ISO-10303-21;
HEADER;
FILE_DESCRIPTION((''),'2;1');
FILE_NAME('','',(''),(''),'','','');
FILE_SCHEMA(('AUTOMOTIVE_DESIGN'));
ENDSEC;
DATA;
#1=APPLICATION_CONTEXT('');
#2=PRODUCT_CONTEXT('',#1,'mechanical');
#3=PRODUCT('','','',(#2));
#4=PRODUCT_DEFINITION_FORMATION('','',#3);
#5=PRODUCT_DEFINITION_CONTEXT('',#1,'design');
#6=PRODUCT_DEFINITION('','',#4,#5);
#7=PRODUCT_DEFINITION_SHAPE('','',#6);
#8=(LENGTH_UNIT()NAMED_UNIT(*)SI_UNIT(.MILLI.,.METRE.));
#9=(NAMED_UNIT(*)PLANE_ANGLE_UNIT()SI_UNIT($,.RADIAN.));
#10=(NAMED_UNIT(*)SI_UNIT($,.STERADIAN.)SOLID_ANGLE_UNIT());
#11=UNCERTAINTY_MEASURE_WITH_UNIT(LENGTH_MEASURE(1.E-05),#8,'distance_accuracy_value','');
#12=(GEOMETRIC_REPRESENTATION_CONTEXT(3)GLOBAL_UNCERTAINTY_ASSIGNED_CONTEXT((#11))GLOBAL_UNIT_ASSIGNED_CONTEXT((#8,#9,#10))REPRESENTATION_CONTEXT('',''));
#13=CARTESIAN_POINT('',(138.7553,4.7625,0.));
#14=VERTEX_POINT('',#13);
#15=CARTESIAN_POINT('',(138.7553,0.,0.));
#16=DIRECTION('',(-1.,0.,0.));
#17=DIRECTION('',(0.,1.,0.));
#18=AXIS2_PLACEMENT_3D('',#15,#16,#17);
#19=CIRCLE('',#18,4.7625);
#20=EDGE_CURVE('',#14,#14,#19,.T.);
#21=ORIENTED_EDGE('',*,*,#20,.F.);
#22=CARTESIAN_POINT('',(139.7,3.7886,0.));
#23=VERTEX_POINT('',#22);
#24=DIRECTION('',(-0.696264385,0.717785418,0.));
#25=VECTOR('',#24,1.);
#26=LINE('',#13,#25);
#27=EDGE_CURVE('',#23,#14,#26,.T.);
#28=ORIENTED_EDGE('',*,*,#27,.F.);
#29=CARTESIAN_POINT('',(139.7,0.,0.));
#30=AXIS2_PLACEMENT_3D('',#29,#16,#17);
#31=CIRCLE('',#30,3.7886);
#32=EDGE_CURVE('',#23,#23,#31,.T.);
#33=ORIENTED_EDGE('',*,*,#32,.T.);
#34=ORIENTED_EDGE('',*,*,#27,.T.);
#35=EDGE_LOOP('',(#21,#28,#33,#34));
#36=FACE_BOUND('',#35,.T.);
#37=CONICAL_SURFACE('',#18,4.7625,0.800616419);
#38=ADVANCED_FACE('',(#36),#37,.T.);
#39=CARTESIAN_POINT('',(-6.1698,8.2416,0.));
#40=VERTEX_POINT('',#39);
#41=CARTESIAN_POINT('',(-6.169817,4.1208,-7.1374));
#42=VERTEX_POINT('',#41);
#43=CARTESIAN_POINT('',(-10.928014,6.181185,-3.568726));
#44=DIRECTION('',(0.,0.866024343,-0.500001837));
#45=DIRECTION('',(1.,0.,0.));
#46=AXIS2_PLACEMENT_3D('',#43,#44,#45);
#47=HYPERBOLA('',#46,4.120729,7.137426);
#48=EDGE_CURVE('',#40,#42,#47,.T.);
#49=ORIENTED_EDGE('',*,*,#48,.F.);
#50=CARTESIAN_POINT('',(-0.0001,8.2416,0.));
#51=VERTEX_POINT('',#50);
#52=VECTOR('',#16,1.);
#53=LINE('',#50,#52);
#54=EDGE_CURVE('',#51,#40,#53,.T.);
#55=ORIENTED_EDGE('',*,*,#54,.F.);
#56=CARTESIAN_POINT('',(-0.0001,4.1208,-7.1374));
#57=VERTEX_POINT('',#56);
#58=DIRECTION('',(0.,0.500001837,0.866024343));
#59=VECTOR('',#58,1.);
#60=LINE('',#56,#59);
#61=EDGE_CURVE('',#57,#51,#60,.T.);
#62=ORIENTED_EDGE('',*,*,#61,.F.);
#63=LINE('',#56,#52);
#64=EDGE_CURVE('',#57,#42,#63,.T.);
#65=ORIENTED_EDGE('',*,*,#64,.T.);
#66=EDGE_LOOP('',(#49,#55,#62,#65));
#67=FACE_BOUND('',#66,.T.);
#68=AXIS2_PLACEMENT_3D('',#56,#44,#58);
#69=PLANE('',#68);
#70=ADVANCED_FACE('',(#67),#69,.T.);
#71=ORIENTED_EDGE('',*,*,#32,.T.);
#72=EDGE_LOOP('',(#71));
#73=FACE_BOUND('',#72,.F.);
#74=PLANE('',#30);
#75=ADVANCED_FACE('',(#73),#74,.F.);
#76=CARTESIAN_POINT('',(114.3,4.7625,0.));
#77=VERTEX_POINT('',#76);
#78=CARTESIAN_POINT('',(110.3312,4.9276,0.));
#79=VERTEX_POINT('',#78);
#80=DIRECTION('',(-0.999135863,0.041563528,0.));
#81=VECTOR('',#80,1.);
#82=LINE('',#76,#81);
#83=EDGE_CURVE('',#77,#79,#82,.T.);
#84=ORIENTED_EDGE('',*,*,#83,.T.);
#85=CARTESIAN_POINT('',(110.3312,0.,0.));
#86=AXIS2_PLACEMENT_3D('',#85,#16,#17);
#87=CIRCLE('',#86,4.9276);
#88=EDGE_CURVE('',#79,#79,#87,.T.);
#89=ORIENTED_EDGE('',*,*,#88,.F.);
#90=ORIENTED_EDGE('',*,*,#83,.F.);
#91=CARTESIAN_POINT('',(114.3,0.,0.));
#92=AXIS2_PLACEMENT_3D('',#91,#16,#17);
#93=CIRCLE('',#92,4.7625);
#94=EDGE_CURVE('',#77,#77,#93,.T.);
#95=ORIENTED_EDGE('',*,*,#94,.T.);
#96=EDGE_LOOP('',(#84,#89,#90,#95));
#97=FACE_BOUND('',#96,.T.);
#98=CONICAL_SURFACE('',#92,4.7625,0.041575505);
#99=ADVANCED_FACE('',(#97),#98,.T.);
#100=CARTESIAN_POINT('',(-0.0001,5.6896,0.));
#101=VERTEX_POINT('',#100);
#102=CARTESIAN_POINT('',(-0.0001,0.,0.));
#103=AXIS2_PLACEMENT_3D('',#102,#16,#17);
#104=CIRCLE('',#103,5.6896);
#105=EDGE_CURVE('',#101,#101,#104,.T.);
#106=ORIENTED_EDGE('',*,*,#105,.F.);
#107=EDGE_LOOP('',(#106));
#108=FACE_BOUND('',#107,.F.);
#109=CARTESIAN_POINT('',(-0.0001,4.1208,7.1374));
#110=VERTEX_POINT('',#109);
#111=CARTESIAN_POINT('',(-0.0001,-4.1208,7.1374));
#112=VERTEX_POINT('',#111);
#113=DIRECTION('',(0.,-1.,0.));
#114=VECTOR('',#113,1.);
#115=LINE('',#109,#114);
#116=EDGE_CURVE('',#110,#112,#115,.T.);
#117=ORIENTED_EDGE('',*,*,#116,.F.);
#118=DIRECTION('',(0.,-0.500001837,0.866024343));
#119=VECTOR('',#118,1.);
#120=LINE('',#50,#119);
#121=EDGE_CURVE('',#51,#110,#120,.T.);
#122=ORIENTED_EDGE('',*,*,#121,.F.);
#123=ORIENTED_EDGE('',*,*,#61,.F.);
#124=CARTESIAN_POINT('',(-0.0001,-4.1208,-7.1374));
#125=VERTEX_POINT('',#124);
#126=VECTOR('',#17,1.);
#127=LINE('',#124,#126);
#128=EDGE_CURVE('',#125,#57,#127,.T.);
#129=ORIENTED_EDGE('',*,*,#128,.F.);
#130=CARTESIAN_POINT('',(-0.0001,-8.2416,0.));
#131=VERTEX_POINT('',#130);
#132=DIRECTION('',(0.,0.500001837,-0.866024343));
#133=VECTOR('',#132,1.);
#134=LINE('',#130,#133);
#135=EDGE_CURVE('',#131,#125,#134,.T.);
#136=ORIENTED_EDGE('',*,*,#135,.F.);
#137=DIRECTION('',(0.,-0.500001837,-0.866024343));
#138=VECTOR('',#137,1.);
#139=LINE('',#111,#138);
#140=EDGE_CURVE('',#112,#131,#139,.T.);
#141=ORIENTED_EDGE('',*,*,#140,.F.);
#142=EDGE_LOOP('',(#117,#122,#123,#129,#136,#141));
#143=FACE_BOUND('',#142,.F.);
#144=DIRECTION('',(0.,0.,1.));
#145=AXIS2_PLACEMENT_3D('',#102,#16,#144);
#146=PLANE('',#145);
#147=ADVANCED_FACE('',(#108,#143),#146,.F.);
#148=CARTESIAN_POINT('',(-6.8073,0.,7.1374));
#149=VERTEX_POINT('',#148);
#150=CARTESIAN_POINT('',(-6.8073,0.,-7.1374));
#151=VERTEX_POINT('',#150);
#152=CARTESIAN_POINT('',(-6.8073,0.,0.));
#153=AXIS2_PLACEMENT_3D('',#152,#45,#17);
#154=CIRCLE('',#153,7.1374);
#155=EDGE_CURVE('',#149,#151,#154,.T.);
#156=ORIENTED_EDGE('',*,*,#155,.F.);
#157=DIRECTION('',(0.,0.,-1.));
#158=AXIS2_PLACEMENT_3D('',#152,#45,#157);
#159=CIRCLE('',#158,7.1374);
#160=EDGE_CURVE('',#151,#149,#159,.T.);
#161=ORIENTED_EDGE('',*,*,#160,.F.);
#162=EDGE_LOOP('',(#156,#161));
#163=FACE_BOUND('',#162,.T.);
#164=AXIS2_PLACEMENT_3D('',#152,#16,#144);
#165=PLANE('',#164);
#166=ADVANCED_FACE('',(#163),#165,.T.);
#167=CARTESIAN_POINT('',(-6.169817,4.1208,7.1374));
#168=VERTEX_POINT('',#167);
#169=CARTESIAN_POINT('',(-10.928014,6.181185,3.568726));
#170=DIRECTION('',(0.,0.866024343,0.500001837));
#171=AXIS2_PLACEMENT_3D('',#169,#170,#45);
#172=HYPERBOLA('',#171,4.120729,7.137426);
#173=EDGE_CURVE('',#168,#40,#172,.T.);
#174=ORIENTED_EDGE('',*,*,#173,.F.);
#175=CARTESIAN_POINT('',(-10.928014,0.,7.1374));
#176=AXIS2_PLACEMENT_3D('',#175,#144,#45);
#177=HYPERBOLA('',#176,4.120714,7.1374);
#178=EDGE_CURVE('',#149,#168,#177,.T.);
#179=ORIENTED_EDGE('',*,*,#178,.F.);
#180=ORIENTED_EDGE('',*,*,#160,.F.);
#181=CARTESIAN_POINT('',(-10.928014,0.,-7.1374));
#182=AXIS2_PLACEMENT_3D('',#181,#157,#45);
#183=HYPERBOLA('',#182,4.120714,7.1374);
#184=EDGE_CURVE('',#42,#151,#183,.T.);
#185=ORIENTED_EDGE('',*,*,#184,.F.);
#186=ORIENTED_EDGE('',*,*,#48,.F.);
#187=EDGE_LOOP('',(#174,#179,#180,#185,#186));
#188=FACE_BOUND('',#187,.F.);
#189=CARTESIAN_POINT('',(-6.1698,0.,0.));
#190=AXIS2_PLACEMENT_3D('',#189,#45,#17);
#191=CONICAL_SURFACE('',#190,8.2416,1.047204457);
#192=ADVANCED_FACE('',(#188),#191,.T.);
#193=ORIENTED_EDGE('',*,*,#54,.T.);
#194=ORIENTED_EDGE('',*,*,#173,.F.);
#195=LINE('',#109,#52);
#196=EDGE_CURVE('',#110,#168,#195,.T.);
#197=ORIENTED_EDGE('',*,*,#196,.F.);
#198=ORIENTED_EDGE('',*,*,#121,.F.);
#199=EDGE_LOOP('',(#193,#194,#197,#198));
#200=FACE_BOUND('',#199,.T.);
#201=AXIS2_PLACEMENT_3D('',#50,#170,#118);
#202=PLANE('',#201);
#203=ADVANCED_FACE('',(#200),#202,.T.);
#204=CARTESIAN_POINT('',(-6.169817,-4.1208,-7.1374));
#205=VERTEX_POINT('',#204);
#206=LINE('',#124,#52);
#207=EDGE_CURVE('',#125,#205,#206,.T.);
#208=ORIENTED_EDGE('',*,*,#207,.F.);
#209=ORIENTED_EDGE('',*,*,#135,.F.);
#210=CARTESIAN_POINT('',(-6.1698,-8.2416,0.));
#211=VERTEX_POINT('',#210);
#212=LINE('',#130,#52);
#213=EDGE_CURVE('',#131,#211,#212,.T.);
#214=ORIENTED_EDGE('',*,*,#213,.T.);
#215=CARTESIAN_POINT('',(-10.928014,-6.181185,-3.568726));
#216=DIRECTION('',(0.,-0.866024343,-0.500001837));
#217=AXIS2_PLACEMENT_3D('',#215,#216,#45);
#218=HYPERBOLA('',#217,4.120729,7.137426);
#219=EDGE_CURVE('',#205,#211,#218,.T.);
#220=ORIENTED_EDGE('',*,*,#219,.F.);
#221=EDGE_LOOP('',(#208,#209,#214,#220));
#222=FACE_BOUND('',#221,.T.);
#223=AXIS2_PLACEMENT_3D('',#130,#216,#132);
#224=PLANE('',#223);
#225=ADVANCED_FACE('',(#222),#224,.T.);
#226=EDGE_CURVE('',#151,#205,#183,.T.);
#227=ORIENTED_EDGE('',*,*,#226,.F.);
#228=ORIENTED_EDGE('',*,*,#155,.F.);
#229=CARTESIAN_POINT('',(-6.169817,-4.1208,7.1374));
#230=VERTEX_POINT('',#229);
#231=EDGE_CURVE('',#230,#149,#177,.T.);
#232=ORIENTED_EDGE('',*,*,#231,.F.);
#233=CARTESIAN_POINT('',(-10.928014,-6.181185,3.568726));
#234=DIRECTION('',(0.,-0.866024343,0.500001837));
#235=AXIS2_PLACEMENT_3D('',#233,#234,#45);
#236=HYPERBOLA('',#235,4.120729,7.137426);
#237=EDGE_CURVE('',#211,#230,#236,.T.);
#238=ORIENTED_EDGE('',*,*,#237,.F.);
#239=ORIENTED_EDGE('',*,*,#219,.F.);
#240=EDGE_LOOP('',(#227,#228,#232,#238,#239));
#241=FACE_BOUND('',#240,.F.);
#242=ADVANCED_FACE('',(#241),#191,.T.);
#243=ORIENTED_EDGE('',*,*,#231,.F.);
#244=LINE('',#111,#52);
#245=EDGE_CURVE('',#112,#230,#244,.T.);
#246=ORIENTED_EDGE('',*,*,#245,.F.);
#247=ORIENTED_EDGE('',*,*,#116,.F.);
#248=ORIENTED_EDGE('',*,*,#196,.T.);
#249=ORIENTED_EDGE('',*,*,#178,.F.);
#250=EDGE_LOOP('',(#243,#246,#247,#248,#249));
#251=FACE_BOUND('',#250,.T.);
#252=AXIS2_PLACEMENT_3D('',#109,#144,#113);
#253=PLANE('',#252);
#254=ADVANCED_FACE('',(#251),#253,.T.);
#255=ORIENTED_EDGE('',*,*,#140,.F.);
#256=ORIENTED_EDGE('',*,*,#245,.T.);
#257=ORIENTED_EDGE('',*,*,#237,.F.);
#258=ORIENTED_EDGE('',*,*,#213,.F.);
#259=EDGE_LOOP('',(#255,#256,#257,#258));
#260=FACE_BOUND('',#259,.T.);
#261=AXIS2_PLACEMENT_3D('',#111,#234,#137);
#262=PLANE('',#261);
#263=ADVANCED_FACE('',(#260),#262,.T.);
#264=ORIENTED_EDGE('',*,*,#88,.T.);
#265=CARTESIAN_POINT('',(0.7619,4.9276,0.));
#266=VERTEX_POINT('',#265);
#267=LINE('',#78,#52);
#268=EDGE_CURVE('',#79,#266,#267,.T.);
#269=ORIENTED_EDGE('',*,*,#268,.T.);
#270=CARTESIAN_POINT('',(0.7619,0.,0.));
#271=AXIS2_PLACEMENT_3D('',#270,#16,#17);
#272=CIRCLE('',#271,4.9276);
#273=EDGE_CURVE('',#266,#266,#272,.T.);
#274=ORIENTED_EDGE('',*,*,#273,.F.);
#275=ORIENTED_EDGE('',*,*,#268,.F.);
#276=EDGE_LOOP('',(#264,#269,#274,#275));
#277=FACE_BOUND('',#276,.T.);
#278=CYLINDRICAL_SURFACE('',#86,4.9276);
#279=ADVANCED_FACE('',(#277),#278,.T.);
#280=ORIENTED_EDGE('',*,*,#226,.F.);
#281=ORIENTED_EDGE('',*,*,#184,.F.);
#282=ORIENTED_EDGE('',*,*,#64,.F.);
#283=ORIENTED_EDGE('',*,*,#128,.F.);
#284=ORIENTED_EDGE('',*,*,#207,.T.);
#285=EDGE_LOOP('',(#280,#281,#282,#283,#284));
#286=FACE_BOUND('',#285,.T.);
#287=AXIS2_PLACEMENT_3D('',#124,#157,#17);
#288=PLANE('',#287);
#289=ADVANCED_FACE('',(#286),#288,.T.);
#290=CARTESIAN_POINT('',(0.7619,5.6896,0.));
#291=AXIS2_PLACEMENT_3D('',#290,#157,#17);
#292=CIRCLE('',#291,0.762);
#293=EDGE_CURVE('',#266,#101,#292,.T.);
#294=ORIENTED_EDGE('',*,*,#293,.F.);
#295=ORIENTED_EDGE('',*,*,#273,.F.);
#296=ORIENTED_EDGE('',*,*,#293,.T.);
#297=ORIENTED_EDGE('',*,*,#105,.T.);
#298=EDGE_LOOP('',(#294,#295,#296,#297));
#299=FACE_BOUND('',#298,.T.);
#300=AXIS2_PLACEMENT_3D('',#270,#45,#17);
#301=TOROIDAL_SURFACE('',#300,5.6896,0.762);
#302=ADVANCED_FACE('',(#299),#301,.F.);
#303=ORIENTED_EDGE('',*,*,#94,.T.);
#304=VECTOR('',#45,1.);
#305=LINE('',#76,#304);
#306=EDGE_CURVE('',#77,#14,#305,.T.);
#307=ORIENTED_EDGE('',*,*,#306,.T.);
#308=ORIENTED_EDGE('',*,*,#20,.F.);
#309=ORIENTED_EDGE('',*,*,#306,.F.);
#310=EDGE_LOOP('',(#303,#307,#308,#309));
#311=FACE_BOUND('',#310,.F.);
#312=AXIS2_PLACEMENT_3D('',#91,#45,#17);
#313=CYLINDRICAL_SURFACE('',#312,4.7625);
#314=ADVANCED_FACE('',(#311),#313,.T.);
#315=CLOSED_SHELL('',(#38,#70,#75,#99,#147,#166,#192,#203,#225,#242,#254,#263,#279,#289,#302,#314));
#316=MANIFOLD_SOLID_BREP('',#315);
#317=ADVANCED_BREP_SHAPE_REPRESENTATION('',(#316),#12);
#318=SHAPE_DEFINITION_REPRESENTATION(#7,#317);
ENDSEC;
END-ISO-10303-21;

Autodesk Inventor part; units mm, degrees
ref_plane "YZ Plane" through (0, 0, 0) normal (1, 0, 0) x (0, 1, 0)
ref_plane "XZ Plane" through (0, 0, 0) normal (0, 1, 0) x (-1, 0, 0)
sketch "Sketch1" plane through (0, 0, 0) normal (0, 0, 1) x (1, 0, 0)
  line L0 (0, 7.1374) -> (0, 4.9276)
  line L1 (114.3, 4.7625) -> (139.7, 4.7625)
  line L2 (139.7, 4.7625) -> (139.7, 0)
  line L3 (139.7, 0) -> (-0.0001, 0)
  line L4 (-27.9401, 0) -> (167.64, 0) projected
  line L5 (-0.0001, 0) -> (-0.0001, 7.1374)
  line L6 (-0.0001, 7.1374) -> (0, 7.1374)
  line L7 (114.3, 4.7625) -> (110.3312, 4.9276)
  line L8 (110.3312, 4.9276) -> (0, 4.9276)
  line L9 (0, -1.4275) -> (0, 8.5649) projected
  dimension "d0" = 139.7
  dimension "d1" = 25.4
  dimension "d2" = 9.525
  dimension "d9" = 0.0001
  dimension "d10" = 14.2748
  dimension "d13" = 3.9689
  dimension "d14" = 9.8552
revolve "Body" add sketch "Sketch1" angle 360 about axis through (139.7, 0, 0) along (-1, 0, 0)
sketch "Sketch2" plane through (-0.0001, 0, 0) normal (-1, 0, 0) x (0, 0, 1)
  line L0 (0, 8.2416) -> (7.1374, 4.1208)
  line L1 (7.1374, 4.1208) -> (7.1374, -4.1208)
  line L2 (7.1374, -4.1208) -> (0, -8.2416)
  line L3 (0, -8.2416) -> (-7.1374, -4.1208)
  line L4 (-7.1374, -4.1208) -> (-7.1374, 4.1208)
  line L5 (-7.1374, 4.1208) -> (0, 8.2416)
  point P0 (0, 0)
  point P1 (0, 0)
  dimension "d11" = 14.2748
extrude "Head" add sketch "Sketch2" along normal blind 6.8072
sketch "Sketch4" plane through (0, 0, 0) normal (0, 0, 1) x (1, 0, 0)
  line L0 (-6.8073, 7.1374) -> (-6.8073, 8.2416)
  line L1 (-6.8073, 8.2416) -> (-6.1698, 8.2416)
  line L2 (-6.1698, 8.2416) -> (-6.8073, 7.1374)
  line L3 (-8.1687, 0) -> (1.3613, 0) projected
  line L4 (-0.0001, 8.2416) -> (-6.8073, 8.2416) projected
  line L5 (-6.8073, 4.1208) -> (-6.8073, 8.2416) projected
  dimension "d5" = 30
  dimension "d19" = 14.2748
revolve "Chamfer1" cut sketch "Sketch4" angle 360 about axis through (-10, 0, 0) along (1, 0, 0)
thread "Thread" size "3/8-16 UNC" class "2A" standard "ANSI Unified Screw Threads" length 25.4
chamfer "Chamfer2" distance 0.9739 distance2 0.9447 1 edges at (139.7, -4.7625, 0) measured on face at (139.7, -0.9018, 0.7989)
ref_plane "Work Plane1" through (1.525, 0, 0) normal (0, 0, 1) x (1, 0, 0)
fillet "Fillet2" radius 0.762 1 edges at (0, -4.9276, 0)
equation "\"d0\" = NLG"
equation "\"d1\" = GEL"
equation "\"d2\" = GD"
equation "\"d10\" = SD2"
equation "\"d14\" = BDM"
equation "\"d11\" = SW"
equation "\"d3\" = KOH - SD"
equation "\"d5\" = ANG1"
equation "\"d19\" = SW0"
equation "\"d63\" = R"
equation "\"d15\" = GEL"
equation "\"d6\" = -0.5 * SPD + 0.5 * GD"
equation "\"NLG\" = 139.7"
equation "\"GD\" = NND"
equation "\"BDM\" = 9.8552"
equation "\"KOH\" = 6.8072"
equation "\"GEL\" = 25.4"
equation "\"SW\" = 14.2748"
equation "\"SW0\" = SW"
equation "\"SPD\" = GD1"
equation "\"SD2\" = SW"
equation "\"SD\" = 0"
equation "\"ANG1\" = 30deg"
equation "\"GAL\" = 3.96875"
equation "\"GUL\" = 0.238 * GAL"
equation "\"R\" = 0.762"
equation "\"d62\" = -NLG - SD + GUL"
equation "\"GD1\" = 7.5773"
equation "\"THREADDIA\" = 9.525"
equation "\"TOA\" = 30deg"
equation "\"NND\" = 9.525"
equation "\"E0\" = 1.155 * SW"
properties part number "ANSI/ASME B18.2.1 - 3/8-16 UNC - 5.5" material "Steel, Mild"
